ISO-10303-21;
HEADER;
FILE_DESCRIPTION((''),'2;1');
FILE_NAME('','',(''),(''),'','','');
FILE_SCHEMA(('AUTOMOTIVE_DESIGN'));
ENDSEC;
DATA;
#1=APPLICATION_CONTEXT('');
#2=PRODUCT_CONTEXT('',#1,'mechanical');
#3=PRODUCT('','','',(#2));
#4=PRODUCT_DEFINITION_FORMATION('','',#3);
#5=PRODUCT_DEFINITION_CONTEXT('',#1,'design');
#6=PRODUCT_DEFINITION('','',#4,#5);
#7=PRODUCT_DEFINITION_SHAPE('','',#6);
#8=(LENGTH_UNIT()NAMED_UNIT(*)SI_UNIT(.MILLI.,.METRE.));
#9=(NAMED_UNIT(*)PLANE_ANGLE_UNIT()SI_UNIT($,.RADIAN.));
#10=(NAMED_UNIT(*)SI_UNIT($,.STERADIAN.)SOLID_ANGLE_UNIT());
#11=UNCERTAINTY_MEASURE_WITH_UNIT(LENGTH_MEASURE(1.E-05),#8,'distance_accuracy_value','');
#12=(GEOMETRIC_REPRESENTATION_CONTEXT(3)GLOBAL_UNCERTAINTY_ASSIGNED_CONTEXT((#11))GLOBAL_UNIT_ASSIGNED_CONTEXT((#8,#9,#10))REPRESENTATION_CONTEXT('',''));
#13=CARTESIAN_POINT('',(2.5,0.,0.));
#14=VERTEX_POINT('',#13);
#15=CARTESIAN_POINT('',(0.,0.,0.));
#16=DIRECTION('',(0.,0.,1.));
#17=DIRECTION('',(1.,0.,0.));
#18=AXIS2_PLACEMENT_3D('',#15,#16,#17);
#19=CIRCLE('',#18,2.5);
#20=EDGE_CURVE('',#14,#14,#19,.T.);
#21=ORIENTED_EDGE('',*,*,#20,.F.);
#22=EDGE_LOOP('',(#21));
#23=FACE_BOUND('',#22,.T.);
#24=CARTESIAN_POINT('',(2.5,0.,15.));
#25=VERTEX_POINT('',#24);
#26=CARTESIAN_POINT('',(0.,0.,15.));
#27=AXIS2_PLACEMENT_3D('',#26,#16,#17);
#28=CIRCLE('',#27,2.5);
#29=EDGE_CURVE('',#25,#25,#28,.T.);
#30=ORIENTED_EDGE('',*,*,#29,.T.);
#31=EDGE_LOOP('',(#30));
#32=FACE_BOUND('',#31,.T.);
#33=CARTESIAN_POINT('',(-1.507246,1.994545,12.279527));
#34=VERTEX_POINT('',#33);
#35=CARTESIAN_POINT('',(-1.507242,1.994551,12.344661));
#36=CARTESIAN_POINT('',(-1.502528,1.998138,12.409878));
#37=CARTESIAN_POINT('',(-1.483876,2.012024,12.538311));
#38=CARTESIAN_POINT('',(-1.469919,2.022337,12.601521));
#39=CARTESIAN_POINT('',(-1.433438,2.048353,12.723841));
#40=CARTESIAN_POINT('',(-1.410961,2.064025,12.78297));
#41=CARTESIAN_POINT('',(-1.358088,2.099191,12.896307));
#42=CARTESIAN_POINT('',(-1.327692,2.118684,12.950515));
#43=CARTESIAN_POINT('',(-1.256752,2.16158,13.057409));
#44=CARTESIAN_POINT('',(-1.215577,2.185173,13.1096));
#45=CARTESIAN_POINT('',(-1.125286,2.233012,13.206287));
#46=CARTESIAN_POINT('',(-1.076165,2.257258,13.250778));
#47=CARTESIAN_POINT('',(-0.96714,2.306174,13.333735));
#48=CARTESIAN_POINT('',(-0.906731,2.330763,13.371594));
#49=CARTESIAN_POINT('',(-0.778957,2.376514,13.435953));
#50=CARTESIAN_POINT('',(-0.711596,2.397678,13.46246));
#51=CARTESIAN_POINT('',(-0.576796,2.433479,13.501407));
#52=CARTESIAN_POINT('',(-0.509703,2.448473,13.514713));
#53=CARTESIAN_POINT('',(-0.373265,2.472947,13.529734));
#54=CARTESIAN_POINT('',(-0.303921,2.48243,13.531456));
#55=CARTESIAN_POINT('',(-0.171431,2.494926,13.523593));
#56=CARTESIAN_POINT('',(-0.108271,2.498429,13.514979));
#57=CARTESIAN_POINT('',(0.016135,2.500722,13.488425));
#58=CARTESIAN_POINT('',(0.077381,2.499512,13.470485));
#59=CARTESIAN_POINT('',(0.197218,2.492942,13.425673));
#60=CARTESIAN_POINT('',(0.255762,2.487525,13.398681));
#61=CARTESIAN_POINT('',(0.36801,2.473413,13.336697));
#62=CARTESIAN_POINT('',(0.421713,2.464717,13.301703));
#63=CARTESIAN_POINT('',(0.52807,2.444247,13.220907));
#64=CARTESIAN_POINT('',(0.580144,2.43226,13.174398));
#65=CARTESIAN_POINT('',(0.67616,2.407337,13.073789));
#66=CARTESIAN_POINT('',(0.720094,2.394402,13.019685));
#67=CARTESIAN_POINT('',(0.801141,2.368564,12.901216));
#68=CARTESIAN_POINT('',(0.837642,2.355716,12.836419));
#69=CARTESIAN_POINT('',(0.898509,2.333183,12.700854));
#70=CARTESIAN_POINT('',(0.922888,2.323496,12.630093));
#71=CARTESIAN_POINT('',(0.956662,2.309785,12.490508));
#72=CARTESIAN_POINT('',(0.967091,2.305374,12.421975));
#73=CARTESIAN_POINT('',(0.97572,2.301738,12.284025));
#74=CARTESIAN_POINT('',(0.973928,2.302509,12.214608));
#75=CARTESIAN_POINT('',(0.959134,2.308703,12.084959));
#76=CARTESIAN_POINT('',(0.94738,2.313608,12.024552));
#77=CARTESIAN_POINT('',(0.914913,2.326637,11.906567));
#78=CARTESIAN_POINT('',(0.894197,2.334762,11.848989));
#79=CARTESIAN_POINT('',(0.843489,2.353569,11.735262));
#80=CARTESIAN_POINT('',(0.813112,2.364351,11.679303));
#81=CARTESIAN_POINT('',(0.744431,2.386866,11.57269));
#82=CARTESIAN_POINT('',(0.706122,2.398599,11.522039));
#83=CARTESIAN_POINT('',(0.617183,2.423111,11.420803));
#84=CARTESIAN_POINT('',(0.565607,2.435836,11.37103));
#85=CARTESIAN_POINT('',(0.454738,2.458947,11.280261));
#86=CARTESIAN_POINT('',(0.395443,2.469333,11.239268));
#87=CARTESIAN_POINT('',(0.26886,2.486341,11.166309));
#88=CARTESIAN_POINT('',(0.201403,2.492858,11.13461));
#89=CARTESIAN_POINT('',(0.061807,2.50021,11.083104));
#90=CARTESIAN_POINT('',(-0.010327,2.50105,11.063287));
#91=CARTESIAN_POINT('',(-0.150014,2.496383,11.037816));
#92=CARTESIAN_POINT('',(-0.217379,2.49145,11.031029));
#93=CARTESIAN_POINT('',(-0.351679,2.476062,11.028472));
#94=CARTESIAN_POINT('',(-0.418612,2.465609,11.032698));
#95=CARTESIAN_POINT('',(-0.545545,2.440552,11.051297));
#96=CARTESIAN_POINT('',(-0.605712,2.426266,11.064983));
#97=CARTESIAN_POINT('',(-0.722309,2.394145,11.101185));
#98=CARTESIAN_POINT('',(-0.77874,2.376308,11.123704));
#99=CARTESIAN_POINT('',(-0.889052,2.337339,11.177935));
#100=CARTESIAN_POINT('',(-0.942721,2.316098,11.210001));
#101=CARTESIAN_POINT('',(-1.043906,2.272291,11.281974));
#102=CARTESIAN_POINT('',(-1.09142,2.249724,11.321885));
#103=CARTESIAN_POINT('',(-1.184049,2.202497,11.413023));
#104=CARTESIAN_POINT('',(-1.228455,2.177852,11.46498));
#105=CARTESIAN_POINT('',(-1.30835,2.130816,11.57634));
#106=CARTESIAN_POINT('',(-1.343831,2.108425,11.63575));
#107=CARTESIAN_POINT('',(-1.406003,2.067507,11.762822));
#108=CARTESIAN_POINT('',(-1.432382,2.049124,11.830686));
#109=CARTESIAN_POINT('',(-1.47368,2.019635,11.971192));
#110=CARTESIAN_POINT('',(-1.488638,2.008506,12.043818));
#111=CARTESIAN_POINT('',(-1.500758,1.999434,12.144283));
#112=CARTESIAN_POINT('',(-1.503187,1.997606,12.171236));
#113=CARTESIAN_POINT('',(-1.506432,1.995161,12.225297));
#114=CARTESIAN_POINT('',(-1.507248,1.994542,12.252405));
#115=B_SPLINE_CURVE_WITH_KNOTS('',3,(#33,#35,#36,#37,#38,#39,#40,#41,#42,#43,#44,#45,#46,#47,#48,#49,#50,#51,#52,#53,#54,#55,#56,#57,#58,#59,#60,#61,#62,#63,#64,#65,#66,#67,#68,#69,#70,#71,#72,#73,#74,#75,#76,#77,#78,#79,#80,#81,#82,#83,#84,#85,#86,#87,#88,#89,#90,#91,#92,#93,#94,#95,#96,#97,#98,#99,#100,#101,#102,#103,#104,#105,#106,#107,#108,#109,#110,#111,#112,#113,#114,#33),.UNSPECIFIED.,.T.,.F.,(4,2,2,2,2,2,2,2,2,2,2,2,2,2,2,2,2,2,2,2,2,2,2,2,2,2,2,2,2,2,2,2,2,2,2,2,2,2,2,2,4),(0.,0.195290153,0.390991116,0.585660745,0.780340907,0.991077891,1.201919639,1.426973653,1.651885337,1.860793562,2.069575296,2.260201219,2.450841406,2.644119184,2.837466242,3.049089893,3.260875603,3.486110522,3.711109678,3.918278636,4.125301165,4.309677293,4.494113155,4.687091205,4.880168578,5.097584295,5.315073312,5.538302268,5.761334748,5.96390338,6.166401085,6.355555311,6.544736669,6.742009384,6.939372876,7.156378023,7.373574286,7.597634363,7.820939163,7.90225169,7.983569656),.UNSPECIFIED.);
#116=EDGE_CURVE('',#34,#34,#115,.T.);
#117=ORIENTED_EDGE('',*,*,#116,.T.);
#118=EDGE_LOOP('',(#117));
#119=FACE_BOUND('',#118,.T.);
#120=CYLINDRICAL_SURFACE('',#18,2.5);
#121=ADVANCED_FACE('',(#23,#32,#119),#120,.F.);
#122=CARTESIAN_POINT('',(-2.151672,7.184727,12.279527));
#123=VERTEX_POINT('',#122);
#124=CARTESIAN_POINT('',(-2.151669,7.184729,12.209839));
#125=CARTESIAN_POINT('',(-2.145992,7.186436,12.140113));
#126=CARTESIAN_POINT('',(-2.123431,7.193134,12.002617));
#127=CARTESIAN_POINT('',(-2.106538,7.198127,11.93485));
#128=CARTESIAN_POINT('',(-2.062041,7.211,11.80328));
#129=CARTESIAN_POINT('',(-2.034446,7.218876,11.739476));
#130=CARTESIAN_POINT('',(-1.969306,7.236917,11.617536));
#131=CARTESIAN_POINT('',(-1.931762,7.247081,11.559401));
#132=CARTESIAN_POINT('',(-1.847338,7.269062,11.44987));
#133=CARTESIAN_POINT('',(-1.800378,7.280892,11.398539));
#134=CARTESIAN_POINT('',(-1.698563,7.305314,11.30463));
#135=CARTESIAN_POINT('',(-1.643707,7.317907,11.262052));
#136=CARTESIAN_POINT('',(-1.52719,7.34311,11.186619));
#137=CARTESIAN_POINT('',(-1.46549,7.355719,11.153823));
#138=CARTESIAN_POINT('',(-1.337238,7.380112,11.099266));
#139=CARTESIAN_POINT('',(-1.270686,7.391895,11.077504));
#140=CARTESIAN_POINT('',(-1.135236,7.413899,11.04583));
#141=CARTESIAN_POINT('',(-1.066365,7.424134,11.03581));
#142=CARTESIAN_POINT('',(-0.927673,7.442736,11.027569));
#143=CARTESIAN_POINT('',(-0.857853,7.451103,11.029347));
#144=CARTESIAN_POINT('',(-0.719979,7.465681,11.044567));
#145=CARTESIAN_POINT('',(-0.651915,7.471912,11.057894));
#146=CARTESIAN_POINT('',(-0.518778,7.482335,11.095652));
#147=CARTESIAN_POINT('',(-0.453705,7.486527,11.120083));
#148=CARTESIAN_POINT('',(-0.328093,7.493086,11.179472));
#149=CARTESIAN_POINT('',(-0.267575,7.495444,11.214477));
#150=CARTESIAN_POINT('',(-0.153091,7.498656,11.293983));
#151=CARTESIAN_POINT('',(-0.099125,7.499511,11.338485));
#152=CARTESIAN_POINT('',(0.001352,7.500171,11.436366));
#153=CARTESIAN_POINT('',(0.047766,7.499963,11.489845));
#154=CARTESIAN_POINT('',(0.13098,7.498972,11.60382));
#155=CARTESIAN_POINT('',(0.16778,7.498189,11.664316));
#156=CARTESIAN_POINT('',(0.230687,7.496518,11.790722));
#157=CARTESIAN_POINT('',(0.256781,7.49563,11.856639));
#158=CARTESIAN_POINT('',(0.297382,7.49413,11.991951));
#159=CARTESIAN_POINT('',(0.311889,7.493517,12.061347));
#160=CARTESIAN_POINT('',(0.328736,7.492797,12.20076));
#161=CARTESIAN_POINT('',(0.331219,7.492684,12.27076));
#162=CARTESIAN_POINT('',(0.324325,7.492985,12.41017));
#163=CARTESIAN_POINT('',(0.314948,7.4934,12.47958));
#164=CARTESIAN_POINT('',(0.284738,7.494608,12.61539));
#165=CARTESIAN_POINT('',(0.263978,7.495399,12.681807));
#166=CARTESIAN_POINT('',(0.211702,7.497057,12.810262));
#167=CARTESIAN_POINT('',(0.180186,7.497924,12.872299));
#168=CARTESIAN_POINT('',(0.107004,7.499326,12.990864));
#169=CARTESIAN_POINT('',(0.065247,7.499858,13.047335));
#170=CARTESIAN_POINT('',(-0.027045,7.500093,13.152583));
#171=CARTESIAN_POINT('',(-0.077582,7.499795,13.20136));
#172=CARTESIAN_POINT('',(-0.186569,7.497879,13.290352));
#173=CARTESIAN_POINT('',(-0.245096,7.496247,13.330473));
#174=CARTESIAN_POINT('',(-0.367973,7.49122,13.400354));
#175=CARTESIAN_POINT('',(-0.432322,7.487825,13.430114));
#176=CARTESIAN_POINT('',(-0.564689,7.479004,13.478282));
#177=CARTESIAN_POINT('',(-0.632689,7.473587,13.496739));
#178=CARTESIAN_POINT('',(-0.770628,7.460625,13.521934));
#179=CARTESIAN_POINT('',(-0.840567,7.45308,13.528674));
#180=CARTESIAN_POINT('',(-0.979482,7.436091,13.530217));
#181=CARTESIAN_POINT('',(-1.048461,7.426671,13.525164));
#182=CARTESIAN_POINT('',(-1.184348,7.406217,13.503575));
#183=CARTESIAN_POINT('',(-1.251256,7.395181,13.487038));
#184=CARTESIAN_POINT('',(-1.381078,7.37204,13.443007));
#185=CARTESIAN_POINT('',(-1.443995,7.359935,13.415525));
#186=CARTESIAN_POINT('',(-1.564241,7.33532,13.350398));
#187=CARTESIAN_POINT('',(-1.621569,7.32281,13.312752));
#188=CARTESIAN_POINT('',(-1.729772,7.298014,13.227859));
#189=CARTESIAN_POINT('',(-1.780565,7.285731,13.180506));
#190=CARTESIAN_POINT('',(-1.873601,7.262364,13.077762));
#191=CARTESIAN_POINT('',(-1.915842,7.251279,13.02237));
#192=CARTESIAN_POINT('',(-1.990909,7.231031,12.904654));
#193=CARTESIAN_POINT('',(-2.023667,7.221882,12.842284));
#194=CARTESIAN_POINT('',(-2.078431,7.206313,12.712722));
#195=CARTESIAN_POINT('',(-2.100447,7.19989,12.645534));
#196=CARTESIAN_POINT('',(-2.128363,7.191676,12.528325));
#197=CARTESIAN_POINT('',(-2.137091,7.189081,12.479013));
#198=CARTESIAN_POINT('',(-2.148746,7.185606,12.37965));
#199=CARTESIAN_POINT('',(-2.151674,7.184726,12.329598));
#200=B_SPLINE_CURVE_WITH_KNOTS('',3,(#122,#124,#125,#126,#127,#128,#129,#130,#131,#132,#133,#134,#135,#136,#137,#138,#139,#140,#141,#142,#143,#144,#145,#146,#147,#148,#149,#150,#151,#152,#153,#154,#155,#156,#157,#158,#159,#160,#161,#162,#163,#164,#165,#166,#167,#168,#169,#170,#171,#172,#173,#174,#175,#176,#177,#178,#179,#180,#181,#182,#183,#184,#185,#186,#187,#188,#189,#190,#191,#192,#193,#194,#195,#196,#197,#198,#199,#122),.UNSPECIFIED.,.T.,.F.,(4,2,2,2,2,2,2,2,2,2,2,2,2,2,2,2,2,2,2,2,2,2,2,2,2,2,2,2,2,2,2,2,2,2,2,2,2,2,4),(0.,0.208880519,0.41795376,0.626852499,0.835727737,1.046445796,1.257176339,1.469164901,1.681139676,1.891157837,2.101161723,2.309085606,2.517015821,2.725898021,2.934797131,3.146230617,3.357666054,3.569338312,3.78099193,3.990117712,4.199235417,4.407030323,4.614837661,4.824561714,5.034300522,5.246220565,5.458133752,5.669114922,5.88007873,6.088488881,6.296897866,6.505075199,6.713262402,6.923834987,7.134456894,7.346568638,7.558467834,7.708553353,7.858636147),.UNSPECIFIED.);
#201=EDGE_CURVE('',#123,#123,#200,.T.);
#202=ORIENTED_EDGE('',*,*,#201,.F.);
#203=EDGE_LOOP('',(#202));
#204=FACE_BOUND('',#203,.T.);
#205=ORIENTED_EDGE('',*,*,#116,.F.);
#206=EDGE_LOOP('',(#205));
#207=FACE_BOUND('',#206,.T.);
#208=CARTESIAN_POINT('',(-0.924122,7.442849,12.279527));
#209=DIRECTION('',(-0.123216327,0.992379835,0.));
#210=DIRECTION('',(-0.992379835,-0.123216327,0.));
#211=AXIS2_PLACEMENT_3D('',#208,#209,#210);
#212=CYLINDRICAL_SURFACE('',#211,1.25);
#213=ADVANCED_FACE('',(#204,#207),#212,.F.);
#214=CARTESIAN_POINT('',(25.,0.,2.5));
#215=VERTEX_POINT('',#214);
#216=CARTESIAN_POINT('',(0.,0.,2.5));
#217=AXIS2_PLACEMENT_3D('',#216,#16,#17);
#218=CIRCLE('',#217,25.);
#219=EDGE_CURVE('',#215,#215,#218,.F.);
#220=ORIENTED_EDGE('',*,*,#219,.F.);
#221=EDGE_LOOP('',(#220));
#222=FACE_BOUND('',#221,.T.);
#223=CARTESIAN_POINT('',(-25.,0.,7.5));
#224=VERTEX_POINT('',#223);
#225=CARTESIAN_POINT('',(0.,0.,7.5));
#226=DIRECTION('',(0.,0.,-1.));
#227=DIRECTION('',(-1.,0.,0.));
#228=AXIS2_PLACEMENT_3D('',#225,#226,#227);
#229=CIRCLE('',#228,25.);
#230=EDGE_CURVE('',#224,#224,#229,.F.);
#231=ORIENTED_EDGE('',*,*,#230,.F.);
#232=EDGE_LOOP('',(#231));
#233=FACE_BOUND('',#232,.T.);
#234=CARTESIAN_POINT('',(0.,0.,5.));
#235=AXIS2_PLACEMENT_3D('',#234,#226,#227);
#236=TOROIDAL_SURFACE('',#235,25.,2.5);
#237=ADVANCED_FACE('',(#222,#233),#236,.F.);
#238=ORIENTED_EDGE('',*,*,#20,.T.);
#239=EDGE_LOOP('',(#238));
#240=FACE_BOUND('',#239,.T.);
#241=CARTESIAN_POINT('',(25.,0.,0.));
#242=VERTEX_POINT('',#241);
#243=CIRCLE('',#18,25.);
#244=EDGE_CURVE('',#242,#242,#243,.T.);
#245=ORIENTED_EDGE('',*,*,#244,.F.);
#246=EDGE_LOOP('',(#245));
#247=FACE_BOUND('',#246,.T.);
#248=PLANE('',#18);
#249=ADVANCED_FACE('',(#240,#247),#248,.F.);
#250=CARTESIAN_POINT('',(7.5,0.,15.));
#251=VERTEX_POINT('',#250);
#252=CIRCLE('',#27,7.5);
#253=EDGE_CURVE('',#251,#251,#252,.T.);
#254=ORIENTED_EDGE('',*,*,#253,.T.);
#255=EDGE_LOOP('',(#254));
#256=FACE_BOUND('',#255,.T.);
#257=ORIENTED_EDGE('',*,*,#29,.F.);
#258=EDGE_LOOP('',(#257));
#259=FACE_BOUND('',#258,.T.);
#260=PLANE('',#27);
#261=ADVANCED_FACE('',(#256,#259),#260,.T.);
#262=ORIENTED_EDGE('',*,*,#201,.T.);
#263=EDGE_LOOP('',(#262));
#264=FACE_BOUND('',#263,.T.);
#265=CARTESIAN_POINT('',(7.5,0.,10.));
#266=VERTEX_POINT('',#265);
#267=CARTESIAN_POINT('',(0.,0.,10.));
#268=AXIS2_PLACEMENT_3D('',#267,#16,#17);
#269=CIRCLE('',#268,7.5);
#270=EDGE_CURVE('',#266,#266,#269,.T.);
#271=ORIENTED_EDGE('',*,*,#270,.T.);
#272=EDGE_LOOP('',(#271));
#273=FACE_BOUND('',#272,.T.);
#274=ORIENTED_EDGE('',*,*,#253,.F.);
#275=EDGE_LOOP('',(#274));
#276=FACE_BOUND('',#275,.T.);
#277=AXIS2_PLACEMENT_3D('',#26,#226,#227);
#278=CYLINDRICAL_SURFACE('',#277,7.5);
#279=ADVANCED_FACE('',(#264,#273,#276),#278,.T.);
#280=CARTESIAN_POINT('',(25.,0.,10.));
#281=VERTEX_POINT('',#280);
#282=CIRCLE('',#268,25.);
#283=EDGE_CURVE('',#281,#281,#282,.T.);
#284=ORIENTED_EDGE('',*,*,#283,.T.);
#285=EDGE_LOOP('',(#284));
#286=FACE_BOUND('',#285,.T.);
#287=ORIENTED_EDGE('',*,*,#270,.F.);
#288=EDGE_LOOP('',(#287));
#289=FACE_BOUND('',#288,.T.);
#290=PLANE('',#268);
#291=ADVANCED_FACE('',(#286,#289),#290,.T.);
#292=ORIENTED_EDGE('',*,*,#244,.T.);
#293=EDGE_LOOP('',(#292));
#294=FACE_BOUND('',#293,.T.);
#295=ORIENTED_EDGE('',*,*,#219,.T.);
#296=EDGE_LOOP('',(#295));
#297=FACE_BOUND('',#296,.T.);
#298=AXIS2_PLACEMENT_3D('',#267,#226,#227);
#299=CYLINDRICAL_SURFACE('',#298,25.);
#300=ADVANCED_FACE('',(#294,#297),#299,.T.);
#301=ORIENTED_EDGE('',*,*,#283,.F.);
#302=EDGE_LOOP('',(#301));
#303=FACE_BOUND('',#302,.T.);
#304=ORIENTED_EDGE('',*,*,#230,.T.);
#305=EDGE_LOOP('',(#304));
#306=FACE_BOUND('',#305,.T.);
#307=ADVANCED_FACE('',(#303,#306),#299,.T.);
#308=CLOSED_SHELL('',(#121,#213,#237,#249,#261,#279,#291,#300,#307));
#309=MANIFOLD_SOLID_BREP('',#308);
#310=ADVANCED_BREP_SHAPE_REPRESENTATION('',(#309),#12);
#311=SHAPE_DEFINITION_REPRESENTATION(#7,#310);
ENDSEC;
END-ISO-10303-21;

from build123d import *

# Parameters (mm, degrees)
ESQUISSE1_R             = 25
BOSS_EXTRU_1_DEPTH      = 10
ESQUISSE2_R             = 2.5
ESQUISSE5_R             = 7.5
BOSS_EXTRU_3_DEPTH      = 5
ESQUISSE6_R             = 2.5
ENL_V_MAT_EXTRU_2_DEPTH = 39.405728739
TROU_TARAUD_M31_D       = 2.5
TROU_TARAUD_M31_DEPTH   = 8.5
TROU_TARAUD_M31_TIP     = 0.751075774


with BuildPart() as part:
    # Esquisse1 → Boss.-Extru.1 (new body)
    with BuildSketch(Plane.XY):
        Circle(ESQUISSE1_R)
    extrude(amount=BOSS_EXTRU_1_DEPTH)

    # Esquisse2 → Enlèvement de matière-Révolution1 (revolve, cut)
    with BuildSketch(Plane(origin=(0, 0, 0), x_dir=(1, 0, 0), z_dir=(0, 1, 0))):
        with Locations((-25, -5)):
            Circle(ESQUISSE2_R)
    revolve(axis=Axis((0, 0, 0), (0, 0, 1)), mode=Mode.SUBTRACT)

    # Esquisse5 → Boss.-Extru.3 (add)
    with BuildSketch(Plane.XY.offset(10)):
        Circle(ESQUISSE5_R)
    extrude(amount=BOSS_EXTRU_3_DEPTH)

    # Esquisse6 → Enlèv. mat.-Extru.2 (cut, through all)
    with BuildSketch(Plane.XY.offset(15)):
        Circle(ESQUISSE6_R)
    extrude(amount=-ENL_V_MAT_EXTRU_2_DEPTH, mode=Mode.SUBTRACT)

    # Trou taraudé M31
    with Locations(Plane(origin=(-0.924122453, 7.442848762, 12.279526522), x_dir=(0.992379834907, 0.123216327128, 0), z_dir=(-0.123216327128, 0.992379834907, 0))):
        with Locations((0, 0)):
            Hole(TROU_TARAUD_M31_D / 2, depth=TROU_TARAUD_M31_DEPTH)
            with Locations((0, 0, -(TROU_TARAUD_M31_DEPTH + TROU_TARAUD_M31_TIP / 2))):  # 118° drill point
                Cone(0, TROU_TARAUD_M31_D / 2, TROU_TARAUD_M31_TIP, mode=Mode.SUBTRACT)


solid = part.part
